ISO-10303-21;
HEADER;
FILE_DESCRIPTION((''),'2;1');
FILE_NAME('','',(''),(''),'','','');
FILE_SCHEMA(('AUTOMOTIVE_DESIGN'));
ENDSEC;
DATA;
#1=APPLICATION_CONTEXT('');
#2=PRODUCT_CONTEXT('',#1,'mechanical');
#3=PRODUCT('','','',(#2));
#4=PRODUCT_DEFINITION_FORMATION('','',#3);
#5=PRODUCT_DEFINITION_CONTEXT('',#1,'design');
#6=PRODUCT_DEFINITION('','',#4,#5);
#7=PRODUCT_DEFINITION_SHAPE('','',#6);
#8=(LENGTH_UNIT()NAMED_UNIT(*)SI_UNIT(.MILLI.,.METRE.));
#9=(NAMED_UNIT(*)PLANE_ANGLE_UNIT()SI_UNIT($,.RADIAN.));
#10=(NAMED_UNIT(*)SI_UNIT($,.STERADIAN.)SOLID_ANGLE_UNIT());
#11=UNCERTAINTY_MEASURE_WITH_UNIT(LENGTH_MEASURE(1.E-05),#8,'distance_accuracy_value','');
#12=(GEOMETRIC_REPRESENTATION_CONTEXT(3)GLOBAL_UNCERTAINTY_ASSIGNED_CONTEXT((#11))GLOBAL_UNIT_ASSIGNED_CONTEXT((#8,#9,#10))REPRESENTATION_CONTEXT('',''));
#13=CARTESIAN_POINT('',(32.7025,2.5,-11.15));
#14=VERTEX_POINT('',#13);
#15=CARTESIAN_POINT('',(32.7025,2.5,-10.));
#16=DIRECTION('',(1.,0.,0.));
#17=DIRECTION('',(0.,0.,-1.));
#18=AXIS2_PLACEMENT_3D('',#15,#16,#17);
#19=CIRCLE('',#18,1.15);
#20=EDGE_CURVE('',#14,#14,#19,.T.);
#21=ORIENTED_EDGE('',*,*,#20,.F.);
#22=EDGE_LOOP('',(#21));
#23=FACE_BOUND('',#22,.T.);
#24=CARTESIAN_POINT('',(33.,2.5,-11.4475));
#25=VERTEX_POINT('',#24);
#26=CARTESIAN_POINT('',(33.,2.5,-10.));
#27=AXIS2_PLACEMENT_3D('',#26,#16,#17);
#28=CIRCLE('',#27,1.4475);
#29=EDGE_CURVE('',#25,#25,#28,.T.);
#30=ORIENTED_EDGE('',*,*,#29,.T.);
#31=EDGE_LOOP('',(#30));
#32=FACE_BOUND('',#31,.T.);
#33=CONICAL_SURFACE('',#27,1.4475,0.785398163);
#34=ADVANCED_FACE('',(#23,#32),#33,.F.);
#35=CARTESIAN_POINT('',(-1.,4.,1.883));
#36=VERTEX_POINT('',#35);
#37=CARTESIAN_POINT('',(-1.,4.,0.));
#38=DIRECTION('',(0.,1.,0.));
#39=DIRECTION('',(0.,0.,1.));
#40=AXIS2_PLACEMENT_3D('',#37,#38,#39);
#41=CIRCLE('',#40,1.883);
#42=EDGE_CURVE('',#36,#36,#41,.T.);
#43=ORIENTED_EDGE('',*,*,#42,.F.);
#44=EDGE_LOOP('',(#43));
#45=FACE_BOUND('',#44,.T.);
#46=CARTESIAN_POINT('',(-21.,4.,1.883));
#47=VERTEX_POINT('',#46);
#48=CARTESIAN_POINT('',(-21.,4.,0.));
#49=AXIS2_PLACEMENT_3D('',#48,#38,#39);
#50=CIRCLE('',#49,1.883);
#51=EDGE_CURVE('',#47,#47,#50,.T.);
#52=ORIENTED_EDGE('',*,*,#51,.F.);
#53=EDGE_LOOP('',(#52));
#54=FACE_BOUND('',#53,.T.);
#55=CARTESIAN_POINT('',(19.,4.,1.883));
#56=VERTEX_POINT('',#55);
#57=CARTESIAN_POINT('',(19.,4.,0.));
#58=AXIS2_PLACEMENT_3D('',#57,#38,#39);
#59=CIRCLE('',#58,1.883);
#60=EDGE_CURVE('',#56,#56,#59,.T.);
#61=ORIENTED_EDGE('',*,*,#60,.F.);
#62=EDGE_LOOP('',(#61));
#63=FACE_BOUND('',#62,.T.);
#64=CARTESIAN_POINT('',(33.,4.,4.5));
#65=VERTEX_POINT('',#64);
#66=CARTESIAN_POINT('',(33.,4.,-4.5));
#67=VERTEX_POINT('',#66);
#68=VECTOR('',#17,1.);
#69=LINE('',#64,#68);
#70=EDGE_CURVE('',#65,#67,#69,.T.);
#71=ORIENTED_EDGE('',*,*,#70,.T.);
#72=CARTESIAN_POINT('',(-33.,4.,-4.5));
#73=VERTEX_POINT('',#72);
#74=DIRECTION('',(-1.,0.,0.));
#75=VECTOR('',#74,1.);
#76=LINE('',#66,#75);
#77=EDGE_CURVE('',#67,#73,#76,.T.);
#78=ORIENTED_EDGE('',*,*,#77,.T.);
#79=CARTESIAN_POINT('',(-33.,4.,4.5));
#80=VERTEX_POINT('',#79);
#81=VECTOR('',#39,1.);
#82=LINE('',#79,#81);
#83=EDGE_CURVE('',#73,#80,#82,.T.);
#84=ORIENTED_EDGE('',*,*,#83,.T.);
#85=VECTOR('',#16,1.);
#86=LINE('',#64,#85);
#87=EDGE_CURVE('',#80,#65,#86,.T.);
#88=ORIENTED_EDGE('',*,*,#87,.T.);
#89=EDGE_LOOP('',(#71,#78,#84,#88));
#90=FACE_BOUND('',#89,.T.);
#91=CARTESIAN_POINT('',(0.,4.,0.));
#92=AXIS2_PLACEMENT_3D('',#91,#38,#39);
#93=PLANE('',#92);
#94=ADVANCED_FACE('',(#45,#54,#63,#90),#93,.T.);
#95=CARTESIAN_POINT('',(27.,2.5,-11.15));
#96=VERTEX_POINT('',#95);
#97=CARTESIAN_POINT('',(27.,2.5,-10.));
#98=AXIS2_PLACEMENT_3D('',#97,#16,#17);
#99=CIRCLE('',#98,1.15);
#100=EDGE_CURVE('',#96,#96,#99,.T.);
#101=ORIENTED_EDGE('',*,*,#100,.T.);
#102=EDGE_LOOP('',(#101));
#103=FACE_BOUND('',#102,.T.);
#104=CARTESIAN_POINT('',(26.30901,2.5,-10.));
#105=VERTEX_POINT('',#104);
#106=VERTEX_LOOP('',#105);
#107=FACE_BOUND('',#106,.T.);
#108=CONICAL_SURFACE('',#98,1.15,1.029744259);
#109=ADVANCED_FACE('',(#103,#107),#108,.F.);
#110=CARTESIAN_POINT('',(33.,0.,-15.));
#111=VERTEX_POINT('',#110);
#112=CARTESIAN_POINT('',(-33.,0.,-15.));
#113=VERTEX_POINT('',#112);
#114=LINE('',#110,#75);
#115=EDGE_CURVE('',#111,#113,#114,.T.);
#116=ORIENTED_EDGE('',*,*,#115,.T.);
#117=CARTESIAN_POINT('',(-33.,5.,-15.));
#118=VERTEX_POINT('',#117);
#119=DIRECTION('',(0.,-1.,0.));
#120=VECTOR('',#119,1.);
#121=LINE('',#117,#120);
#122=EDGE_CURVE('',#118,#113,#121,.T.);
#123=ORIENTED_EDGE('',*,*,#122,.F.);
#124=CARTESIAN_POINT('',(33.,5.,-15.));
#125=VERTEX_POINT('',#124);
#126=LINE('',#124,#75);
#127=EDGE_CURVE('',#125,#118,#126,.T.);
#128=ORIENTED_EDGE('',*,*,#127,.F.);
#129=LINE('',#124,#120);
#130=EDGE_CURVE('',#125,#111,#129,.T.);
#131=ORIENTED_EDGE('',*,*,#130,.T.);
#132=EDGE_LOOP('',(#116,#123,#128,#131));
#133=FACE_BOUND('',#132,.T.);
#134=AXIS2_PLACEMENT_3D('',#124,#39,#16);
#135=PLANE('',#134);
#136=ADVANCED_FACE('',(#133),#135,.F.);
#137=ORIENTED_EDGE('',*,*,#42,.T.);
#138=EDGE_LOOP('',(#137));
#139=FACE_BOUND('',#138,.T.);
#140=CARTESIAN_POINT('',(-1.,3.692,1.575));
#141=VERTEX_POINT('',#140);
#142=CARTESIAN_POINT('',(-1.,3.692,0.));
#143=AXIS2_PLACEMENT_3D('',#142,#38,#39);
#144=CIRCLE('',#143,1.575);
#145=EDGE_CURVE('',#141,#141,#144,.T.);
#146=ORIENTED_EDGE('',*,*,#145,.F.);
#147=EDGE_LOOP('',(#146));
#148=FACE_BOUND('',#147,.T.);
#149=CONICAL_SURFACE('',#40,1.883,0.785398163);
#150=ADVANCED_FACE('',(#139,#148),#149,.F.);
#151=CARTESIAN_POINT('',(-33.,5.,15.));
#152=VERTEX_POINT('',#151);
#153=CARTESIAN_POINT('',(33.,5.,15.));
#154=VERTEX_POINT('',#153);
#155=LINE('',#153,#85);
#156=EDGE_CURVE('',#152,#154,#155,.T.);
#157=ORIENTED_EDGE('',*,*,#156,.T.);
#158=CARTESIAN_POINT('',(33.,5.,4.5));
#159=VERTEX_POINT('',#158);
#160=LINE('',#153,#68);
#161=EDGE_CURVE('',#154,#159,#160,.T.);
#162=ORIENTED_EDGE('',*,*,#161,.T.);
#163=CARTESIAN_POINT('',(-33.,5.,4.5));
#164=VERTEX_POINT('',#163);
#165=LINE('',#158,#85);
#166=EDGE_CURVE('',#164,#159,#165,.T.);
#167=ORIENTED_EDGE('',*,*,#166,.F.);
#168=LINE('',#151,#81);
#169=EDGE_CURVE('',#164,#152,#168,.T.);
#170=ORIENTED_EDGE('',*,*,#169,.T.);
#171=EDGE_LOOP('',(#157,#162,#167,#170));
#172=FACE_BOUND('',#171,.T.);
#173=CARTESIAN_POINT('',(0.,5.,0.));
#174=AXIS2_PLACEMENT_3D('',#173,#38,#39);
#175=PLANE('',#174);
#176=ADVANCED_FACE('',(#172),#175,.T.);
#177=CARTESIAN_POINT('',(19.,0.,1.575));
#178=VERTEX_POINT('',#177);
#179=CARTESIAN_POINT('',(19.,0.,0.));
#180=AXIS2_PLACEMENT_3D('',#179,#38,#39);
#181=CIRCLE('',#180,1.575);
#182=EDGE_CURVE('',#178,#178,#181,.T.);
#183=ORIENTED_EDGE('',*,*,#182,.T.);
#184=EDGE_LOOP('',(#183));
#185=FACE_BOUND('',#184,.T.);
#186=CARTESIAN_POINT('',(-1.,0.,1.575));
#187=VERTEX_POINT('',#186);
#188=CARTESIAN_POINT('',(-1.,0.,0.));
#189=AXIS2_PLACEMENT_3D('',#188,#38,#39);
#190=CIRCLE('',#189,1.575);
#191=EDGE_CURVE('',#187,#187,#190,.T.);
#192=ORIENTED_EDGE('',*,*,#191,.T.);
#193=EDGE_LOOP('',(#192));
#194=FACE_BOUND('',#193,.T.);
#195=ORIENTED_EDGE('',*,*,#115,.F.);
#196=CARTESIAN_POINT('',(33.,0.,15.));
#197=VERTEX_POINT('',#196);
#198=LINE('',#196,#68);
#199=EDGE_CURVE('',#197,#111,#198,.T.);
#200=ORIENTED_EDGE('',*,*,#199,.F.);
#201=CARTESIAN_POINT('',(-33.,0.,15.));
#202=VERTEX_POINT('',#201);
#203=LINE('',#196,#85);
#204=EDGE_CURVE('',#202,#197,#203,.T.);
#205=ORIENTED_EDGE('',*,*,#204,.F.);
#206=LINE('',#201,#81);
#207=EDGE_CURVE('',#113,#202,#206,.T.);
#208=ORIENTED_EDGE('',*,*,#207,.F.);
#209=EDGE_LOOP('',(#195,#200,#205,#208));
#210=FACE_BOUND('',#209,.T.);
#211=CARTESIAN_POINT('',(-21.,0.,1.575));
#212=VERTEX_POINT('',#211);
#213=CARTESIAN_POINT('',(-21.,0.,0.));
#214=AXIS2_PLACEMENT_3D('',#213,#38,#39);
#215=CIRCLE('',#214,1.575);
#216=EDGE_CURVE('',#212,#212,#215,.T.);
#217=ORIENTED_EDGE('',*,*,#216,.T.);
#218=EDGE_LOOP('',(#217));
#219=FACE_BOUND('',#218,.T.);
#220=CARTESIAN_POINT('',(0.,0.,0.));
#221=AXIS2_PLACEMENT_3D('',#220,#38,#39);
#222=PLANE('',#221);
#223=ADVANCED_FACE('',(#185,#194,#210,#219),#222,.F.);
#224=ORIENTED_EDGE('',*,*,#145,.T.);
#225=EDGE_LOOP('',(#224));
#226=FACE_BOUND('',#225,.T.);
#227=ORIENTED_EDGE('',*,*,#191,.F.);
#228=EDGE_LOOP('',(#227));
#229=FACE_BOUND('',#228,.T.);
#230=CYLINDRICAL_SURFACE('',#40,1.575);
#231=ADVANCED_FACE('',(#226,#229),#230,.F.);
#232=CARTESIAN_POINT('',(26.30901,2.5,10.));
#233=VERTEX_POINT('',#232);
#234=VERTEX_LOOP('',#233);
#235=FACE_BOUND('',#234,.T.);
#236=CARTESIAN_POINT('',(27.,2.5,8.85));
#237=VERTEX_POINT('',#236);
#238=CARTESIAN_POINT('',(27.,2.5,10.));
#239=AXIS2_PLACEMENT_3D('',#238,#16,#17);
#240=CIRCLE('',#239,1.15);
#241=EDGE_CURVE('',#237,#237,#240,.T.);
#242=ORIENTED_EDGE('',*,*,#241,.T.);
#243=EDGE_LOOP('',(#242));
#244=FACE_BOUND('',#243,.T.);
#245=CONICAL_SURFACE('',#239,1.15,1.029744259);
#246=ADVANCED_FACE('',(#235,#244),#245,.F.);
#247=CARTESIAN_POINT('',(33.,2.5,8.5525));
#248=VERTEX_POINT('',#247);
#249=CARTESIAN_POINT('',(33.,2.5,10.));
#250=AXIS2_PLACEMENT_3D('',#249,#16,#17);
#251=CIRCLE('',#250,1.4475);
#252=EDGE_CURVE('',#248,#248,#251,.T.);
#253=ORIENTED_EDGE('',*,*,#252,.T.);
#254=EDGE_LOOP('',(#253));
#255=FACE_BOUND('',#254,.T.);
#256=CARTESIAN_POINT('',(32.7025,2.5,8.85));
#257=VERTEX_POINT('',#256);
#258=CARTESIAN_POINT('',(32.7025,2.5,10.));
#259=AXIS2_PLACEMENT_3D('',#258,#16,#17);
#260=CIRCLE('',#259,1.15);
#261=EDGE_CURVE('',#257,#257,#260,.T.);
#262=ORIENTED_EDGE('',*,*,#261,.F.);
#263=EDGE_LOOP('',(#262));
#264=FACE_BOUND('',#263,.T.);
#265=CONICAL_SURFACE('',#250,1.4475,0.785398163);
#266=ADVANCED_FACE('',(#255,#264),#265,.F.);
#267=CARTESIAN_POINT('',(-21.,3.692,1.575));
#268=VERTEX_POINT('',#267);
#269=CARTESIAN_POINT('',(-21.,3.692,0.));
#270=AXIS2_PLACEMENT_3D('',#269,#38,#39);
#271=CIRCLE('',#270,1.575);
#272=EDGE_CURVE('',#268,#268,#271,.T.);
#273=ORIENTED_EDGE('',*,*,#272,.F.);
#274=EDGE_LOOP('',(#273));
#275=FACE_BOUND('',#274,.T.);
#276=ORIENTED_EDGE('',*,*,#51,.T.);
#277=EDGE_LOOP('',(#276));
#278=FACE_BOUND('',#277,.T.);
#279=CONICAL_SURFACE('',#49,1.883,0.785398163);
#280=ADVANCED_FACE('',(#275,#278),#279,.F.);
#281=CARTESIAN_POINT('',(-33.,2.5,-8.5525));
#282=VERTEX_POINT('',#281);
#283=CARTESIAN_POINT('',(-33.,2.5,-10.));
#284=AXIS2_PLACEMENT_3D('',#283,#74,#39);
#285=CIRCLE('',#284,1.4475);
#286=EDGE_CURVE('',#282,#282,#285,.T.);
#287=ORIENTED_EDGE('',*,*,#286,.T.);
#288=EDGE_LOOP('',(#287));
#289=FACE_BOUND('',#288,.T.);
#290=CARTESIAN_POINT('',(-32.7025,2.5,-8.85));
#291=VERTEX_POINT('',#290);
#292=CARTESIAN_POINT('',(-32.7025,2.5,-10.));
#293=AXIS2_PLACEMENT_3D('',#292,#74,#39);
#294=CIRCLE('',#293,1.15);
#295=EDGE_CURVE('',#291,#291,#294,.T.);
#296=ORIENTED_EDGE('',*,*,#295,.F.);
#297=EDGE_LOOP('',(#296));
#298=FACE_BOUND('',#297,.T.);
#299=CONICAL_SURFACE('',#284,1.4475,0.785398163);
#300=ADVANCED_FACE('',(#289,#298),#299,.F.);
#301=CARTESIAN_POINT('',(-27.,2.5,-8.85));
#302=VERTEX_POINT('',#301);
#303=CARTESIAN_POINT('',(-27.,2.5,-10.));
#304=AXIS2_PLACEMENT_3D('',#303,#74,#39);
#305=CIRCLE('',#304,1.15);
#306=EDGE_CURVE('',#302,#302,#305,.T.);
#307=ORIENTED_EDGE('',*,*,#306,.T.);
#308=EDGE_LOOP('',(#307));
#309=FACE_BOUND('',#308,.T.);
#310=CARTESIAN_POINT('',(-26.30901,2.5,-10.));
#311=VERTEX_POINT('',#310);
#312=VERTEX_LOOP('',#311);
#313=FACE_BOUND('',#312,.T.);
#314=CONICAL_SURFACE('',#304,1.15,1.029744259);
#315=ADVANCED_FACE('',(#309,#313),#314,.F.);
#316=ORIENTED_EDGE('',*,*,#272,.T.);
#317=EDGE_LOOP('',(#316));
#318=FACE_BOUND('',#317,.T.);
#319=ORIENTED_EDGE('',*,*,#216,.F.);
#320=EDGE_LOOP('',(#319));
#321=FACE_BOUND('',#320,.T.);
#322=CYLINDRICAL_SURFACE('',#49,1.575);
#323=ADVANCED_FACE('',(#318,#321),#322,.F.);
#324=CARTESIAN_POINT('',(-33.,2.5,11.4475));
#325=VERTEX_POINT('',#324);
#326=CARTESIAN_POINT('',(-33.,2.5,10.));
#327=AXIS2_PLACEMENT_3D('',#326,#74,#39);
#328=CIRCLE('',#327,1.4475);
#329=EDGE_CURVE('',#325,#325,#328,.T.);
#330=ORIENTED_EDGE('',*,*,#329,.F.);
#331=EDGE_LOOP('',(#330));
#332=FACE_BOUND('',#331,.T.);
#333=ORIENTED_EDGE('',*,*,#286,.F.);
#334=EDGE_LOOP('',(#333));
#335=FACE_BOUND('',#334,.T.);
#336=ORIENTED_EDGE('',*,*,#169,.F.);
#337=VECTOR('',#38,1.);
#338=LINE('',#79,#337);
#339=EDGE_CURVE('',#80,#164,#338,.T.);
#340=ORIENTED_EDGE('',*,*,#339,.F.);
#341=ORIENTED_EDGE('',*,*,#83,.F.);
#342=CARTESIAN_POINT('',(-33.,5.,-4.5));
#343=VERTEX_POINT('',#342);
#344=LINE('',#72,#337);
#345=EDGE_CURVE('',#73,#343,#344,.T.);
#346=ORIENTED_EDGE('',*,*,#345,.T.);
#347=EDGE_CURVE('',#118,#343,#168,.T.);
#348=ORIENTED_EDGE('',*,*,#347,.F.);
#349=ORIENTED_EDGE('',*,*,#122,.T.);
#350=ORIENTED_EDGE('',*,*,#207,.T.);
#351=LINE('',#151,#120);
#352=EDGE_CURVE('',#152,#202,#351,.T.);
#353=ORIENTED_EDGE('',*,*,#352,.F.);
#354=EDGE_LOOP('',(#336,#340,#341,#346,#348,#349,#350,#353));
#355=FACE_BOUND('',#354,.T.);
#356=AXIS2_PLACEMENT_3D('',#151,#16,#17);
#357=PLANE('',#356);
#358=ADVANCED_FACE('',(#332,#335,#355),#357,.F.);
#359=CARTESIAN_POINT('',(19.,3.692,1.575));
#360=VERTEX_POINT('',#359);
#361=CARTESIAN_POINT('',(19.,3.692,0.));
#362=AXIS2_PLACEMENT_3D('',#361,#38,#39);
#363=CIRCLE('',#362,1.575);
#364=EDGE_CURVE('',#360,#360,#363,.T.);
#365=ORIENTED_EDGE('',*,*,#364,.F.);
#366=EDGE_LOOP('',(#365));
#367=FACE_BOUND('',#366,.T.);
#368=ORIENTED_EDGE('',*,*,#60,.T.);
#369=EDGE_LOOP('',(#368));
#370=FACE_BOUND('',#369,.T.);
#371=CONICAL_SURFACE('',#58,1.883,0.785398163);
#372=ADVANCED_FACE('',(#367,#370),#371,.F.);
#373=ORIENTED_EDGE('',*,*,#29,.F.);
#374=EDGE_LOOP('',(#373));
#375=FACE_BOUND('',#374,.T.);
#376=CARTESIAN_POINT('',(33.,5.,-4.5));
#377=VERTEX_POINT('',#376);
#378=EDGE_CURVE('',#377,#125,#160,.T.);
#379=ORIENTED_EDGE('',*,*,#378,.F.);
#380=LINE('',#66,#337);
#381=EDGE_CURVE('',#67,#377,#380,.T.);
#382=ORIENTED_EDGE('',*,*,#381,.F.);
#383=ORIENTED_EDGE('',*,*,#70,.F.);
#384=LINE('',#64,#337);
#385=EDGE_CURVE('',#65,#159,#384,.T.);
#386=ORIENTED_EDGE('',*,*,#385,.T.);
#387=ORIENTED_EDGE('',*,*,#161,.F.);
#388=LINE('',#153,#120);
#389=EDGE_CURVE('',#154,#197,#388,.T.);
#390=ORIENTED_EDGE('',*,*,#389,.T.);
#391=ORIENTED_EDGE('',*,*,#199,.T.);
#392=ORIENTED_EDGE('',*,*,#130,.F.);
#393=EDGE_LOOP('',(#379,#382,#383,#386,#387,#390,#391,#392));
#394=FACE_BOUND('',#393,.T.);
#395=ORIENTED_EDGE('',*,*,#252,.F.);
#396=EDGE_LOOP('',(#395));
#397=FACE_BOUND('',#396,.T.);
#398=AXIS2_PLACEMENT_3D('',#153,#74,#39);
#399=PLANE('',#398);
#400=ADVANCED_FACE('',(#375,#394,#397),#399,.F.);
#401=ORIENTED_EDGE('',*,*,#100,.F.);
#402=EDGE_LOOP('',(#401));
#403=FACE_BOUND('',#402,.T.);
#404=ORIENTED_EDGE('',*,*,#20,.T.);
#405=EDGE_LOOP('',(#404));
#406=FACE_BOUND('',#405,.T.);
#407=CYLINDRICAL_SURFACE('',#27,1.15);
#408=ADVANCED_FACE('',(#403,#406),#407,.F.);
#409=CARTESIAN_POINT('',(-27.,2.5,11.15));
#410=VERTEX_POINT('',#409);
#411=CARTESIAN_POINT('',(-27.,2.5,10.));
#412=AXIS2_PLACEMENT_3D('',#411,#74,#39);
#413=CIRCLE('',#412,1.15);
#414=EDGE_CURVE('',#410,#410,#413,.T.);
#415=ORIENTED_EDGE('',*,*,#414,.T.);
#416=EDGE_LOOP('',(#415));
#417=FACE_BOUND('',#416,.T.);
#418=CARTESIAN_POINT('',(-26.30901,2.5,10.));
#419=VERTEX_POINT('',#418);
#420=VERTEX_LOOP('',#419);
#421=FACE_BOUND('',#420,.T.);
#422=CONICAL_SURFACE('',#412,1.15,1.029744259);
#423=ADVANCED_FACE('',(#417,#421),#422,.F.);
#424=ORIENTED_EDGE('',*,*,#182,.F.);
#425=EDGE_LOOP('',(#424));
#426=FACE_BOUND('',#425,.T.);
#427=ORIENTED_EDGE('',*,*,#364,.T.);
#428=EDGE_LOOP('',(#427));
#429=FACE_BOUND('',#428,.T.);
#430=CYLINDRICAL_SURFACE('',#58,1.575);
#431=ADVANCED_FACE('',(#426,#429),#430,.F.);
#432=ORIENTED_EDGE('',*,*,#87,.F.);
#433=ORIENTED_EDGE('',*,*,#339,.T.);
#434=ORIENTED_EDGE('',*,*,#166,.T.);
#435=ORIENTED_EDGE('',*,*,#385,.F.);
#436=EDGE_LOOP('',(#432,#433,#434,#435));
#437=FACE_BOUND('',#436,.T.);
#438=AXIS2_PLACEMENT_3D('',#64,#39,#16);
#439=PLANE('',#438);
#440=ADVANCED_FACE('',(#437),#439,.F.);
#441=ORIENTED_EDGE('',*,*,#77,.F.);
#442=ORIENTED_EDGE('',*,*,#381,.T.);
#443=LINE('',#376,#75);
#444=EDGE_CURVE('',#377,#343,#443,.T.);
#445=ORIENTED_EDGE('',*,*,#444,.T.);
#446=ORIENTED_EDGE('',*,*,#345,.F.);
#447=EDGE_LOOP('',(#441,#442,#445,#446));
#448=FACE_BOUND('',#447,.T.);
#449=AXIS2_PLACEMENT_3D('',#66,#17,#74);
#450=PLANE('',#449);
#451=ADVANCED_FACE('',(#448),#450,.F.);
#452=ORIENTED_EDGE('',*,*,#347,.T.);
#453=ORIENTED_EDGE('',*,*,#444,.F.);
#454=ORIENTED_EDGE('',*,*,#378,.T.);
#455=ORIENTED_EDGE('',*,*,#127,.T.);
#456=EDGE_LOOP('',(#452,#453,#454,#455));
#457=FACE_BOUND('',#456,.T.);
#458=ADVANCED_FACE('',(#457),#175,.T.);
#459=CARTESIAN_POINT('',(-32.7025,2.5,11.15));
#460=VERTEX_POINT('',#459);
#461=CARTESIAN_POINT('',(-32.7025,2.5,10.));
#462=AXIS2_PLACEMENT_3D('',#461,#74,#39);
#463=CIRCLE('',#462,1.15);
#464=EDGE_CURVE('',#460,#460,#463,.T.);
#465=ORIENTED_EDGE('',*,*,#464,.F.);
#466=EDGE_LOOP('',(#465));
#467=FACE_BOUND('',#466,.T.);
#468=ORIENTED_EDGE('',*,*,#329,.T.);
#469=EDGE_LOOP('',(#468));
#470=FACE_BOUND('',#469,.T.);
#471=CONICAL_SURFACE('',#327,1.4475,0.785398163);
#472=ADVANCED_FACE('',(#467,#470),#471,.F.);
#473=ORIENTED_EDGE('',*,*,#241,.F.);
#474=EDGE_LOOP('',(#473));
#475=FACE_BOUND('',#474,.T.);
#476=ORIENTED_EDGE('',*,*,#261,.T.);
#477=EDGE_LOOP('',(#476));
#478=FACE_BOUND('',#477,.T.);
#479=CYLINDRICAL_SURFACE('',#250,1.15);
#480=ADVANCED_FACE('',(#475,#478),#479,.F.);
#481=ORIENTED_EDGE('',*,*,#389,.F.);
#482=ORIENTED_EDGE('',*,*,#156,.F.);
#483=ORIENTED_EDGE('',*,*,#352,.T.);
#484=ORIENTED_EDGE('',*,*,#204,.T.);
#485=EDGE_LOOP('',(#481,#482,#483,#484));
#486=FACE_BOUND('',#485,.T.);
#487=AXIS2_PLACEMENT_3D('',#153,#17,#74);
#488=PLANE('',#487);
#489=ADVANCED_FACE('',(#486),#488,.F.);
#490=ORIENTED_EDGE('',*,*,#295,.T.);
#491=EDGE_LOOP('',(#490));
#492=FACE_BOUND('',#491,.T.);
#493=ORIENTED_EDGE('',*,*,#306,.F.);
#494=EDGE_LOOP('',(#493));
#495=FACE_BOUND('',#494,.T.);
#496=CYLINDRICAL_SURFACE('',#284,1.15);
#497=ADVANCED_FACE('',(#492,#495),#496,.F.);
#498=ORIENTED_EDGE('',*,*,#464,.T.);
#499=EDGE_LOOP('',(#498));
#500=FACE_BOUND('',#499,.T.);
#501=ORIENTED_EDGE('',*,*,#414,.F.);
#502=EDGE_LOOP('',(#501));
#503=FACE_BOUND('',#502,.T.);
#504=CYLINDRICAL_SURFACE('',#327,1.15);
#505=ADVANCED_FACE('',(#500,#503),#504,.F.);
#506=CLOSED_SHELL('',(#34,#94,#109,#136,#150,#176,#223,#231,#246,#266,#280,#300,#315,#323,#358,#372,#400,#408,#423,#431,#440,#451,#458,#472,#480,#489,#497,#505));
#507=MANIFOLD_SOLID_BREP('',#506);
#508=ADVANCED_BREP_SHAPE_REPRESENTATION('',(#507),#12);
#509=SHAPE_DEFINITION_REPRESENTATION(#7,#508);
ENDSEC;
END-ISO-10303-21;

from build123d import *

# Parameters (mm, degrees)
ESBO_O1_W                                            = 66
ESBO_O1_H                                            = 30
RESSALTO_EXTRUS_O1_DEPTH                             = 5
ESBO_O2_W                                            = 66
ESBO_O2_H                                            = 9
CORTE_EXTRUS_O1_DEPTH                                = 1
FURO_ROSCADO_PARA_CONDU_TE_DE_M2_2X0_451_D           = 2.3
FURO_ROSCADO_PARA_CONDU_TE_DE_M2_2X0_451_DEPTH       = 6
FURO_ROSCADO_PARA_CONDU_TE_DE_M2_2X0_451_CSINK_D     = 2.895
FURO_ROSCADO_PARA_CONDU_TE_DE_M2_2X0_451_CSINK_ANGLE = 90
FURO_ROSCADO_PARA_CONDU_TE_DE_M2_2X0_451_TIP         = 0.690989712
FURO_ROSCADO_PARA_CONDU_TE_DE_M2_2X0_452_D           = 2.3
FURO_ROSCADO_PARA_CONDU_TE_DE_M2_2X0_452_DEPTH       = 6
FURO_ROSCADO_PARA_CONDU_TE_DE_M2_2X0_452_CSINK_D     = 2.895
FURO_ROSCADO_PARA_CONDU_TE_DE_M2_2X0_452_CSINK_ANGLE = 90
FURO_ROSCADO_PARA_CONDU_TE_DE_M2_2X0_452_TIP         = 0.690989712
FURO_ROSCADO_PARA_CONDU_TE_DE_M3X0_53_D              = 3.15
FURO_ROSCADO_PARA_CONDU_TE_DE_M3X0_53_CSINK_D        = 3.766
FURO_ROSCADO_PARA_CONDU_TE_DE_M3X0_53_CSINK_ANGLE    = 90


with BuildPart() as part:
    # Esboço1 → Ressalto-extrusão1 (new body)
    with BuildSketch(Plane(origin=(0, 0, 0), x_dir=(1, 0, 0), z_dir=(0, 1, 0))):
        Rectangle(ESBO_O1_W, ESBO_O1_H)
    extrude(amount=RESSALTO_EXTRUS_O1_DEPTH)

    # Esboço2 → Corte-extrusão1 (cut)
    with BuildSketch(Plane(origin=(0, 5, 0), x_dir=(1, 0, 0), z_dir=(0, 1, 0))):
        Rectangle(ESBO_O2_W, ESBO_O2_H)
    extrude(amount=-CORTE_EXTRUS_O1_DEPTH, mode=Mode.SUBTRACT)

    # Furo roscado para conduíte de M2.2x0.451
    with Locations(Plane(origin=(33, 0, 0), x_dir=(0, 0, -1), z_dir=(1, 0, 0))):
        with Locations((-10, 2.5), (10, 2.5)):
            CounterSinkHole(FURO_ROSCADO_PARA_CONDU_TE_DE_M2_2X0_451_D / 2, FURO_ROSCADO_PARA_CONDU_TE_DE_M2_2X0_451_CSINK_D / 2, depth=FURO_ROSCADO_PARA_CONDU_TE_DE_M2_2X0_451_DEPTH, counter_sink_angle=FURO_ROSCADO_PARA_CONDU_TE_DE_M2_2X0_451_CSINK_ANGLE)
            with Locations((0, 0, -(FURO_ROSCADO_PARA_CONDU_TE_DE_M2_2X0_451_DEPTH + FURO_ROSCADO_PARA_CONDU_TE_DE_M2_2X0_451_TIP / 2))):  # 118° drill point
                Cone(0, FURO_ROSCADO_PARA_CONDU_TE_DE_M2_2X0_451_D / 2, FURO_ROSCADO_PARA_CONDU_TE_DE_M2_2X0_451_TIP, mode=Mode.SUBTRACT)

    # Furo roscado para conduíte de M2.2x0.452
    with Locations(Plane.ZY.offset(33)):
        with Locations((-10, 2.5), (10, 2.5)):
            CounterSinkHole(FURO_ROSCADO_PARA_CONDU_TE_DE_M2_2X0_452_D / 2, FURO_ROSCADO_PARA_CONDU_TE_DE_M2_2X0_452_CSINK_D / 2, depth=FURO_ROSCADO_PARA_CONDU_TE_DE_M2_2X0_452_DEPTH, counter_sink_angle=FURO_ROSCADO_PARA_CONDU_TE_DE_M2_2X0_452_CSINK_ANGLE)
            with Locations((0, 0, -(FURO_ROSCADO_PARA_CONDU_TE_DE_M2_2X0_452_DEPTH + FURO_ROSCADO_PARA_CONDU_TE_DE_M2_2X0_452_TIP / 2))):  # 118° drill point
                Cone(0, FURO_ROSCADO_PARA_CONDU_TE_DE_M2_2X0_452_D / 2, FURO_ROSCADO_PARA_CONDU_TE_DE_M2_2X0_452_TIP, mode=Mode.SUBTRACT)

    # Furo roscado para conduíte de M3x0.53 (through all)
    with Locations(Plane(origin=(0, 4, 0), x_dir=(1, 0, 0), z_dir=(0, 1, 0))):
        with Locations((-21, 0), (-1, 0), (19, 0)):
            CounterSinkHole(FURO_ROSCADO_PARA_CONDU_TE_DE_M3X0_53_D / 2, FURO_ROSCADO_PARA_CONDU_TE_DE_M3X0_53_CSINK_D / 2, counter_sink_angle=FURO_ROSCADO_PARA_CONDU_TE_DE_M3X0_53_CSINK_ANGLE)


solid = part.part
